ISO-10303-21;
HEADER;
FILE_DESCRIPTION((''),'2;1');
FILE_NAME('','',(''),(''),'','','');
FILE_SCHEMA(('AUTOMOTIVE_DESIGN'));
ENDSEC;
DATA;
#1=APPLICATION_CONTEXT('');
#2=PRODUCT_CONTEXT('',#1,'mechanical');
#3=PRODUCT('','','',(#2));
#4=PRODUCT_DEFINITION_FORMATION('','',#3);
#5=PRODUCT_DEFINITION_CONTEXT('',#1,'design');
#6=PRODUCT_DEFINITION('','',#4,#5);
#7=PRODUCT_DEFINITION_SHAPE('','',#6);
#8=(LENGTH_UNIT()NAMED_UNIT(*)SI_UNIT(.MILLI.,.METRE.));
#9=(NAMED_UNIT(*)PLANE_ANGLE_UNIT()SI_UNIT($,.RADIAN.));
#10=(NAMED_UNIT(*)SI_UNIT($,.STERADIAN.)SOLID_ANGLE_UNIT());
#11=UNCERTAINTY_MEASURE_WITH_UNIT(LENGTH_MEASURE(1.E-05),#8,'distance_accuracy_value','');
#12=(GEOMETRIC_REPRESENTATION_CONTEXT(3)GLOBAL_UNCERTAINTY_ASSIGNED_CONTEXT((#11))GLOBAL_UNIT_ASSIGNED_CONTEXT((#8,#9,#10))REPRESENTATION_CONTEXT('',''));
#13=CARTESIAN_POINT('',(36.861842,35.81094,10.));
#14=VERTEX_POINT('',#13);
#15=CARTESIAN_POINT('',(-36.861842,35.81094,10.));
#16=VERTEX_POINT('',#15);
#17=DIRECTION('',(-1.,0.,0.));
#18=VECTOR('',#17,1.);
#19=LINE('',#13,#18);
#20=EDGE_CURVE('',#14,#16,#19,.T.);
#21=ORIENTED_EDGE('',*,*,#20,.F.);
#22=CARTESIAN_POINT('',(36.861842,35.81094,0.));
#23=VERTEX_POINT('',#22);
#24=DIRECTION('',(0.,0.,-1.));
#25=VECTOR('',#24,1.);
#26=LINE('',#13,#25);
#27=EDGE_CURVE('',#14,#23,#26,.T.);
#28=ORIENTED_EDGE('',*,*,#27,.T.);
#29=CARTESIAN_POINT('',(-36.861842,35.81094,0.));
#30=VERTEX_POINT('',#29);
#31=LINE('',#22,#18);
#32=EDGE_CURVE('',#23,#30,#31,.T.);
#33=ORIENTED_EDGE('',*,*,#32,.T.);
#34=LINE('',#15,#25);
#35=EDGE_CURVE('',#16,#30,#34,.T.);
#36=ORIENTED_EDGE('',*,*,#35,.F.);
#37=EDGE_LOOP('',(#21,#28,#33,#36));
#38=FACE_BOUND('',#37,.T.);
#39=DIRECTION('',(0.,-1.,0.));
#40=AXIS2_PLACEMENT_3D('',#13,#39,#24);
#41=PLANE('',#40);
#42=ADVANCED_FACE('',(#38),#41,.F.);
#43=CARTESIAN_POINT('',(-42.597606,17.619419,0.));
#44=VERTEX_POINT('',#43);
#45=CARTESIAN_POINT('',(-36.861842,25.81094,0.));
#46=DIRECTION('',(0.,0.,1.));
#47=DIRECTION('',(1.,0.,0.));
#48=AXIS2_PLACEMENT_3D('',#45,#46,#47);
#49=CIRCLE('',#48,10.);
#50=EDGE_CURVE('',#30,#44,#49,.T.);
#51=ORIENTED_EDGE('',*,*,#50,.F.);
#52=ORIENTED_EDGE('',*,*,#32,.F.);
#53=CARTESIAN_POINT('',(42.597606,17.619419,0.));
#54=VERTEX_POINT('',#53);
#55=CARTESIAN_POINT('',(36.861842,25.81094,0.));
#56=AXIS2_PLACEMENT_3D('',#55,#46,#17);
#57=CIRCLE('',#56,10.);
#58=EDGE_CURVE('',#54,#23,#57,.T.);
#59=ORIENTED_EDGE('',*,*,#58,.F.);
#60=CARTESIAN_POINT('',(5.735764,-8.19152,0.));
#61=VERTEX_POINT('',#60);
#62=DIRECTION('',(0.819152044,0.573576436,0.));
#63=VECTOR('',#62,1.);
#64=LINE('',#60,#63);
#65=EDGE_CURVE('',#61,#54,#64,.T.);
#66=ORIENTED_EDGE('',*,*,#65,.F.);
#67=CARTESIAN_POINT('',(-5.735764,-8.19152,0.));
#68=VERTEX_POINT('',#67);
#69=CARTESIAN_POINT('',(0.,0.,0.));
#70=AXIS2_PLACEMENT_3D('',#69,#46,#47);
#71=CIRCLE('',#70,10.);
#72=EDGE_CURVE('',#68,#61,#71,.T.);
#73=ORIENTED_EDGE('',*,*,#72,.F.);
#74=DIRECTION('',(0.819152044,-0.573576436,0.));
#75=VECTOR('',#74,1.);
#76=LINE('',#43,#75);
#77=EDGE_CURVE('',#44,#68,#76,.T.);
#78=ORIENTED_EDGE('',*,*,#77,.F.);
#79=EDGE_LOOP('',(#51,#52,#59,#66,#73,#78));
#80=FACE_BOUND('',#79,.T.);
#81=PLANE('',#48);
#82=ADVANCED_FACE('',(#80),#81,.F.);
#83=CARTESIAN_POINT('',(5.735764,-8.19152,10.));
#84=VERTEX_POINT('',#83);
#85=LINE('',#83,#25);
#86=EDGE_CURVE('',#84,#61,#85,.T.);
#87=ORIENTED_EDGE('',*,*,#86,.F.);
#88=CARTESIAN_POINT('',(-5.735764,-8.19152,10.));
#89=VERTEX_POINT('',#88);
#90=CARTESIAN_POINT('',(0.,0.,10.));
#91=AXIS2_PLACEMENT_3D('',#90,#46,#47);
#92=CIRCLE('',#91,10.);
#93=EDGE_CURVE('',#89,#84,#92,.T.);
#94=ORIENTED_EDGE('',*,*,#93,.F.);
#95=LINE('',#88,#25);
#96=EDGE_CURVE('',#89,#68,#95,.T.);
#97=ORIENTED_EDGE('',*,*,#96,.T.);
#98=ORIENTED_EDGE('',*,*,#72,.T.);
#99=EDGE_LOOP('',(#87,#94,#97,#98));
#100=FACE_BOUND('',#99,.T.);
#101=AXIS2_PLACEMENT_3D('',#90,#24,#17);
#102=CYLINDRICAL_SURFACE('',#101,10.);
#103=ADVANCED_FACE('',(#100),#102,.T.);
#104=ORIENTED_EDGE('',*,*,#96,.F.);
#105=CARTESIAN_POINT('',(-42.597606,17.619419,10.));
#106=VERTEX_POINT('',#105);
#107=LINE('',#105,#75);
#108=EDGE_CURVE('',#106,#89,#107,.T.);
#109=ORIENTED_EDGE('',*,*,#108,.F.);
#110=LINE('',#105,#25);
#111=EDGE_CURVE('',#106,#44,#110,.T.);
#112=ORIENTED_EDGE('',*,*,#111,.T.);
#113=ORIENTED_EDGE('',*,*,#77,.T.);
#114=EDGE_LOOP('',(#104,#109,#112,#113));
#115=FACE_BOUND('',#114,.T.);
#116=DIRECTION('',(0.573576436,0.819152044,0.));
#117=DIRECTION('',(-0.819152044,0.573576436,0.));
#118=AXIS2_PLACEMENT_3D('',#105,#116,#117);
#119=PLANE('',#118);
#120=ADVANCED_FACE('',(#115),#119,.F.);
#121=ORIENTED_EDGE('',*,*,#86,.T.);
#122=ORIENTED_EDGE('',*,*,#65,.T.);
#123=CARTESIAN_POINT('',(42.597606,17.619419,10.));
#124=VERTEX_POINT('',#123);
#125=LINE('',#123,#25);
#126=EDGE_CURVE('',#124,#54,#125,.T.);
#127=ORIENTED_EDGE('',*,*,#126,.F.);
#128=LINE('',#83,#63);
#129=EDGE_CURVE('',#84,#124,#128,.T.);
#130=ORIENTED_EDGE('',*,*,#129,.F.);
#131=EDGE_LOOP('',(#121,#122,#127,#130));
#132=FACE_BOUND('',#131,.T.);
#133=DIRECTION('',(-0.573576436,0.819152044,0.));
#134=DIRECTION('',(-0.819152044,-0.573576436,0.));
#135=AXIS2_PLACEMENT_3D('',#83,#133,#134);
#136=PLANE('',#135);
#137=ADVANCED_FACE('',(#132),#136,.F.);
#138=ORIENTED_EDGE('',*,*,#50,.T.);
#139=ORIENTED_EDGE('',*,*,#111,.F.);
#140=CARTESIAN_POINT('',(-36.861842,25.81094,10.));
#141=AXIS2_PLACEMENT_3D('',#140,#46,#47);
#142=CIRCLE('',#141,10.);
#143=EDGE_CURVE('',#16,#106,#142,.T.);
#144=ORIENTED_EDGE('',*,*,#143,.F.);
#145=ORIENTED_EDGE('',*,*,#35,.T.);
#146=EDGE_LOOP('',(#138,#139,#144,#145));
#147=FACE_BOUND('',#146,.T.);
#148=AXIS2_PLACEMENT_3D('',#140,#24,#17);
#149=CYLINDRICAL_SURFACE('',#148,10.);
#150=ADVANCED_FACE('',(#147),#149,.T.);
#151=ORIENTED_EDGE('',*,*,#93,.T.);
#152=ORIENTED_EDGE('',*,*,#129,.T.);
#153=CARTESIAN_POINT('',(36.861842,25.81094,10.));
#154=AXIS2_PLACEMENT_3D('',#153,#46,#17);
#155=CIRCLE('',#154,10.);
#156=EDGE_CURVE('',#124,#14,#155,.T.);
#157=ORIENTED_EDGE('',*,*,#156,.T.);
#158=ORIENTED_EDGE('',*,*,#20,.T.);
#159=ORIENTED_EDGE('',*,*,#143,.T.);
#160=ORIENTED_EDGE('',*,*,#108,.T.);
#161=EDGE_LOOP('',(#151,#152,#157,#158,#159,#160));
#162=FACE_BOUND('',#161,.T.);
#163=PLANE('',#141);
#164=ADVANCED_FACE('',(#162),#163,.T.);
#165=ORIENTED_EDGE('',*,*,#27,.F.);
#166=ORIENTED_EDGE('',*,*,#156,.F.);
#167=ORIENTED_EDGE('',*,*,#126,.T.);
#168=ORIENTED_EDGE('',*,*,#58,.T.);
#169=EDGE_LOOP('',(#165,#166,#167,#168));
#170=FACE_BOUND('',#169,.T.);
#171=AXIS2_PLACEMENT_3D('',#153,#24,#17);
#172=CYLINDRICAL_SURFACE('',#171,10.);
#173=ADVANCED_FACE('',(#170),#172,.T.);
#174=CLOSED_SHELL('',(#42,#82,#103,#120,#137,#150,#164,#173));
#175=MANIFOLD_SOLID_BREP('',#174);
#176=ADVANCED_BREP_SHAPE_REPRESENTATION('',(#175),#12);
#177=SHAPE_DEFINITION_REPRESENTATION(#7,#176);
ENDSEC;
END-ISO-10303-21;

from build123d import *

# Parameters (mm, degrees)
EXTRUDE_1_DEPTH = 10


with BuildPart() as part:
    # 草图1 → 凸台-拉伸1 (new body)
    with BuildSketch(Plane.XY):
        with BuildLine():
            Line((5.735764364, -8.191520443), (42.597606357, 17.619419193))
            ThreePointArc((42.597606357, 17.619419193), (46.3990115, 28.817997631), (36.861841993, 35.810939636))
            Line((36.861841993, 35.810939636), (-36.861841993, 35.810939636))
            ThreePointArc((-36.861841993, 35.810939636), (-46.3990115, 28.817997631), (-42.597606357, 17.619419193))
            Line((-42.597606357, 17.619419193), (-5.735764364, -8.191520443))
            ThreePointArc((-5.735764364, -8.191520443), (0, -10), (5.735764364, -8.191520443))
        make_face()
    extrude(amount=EXTRUDE_1_DEPTH)


solid = part.part
